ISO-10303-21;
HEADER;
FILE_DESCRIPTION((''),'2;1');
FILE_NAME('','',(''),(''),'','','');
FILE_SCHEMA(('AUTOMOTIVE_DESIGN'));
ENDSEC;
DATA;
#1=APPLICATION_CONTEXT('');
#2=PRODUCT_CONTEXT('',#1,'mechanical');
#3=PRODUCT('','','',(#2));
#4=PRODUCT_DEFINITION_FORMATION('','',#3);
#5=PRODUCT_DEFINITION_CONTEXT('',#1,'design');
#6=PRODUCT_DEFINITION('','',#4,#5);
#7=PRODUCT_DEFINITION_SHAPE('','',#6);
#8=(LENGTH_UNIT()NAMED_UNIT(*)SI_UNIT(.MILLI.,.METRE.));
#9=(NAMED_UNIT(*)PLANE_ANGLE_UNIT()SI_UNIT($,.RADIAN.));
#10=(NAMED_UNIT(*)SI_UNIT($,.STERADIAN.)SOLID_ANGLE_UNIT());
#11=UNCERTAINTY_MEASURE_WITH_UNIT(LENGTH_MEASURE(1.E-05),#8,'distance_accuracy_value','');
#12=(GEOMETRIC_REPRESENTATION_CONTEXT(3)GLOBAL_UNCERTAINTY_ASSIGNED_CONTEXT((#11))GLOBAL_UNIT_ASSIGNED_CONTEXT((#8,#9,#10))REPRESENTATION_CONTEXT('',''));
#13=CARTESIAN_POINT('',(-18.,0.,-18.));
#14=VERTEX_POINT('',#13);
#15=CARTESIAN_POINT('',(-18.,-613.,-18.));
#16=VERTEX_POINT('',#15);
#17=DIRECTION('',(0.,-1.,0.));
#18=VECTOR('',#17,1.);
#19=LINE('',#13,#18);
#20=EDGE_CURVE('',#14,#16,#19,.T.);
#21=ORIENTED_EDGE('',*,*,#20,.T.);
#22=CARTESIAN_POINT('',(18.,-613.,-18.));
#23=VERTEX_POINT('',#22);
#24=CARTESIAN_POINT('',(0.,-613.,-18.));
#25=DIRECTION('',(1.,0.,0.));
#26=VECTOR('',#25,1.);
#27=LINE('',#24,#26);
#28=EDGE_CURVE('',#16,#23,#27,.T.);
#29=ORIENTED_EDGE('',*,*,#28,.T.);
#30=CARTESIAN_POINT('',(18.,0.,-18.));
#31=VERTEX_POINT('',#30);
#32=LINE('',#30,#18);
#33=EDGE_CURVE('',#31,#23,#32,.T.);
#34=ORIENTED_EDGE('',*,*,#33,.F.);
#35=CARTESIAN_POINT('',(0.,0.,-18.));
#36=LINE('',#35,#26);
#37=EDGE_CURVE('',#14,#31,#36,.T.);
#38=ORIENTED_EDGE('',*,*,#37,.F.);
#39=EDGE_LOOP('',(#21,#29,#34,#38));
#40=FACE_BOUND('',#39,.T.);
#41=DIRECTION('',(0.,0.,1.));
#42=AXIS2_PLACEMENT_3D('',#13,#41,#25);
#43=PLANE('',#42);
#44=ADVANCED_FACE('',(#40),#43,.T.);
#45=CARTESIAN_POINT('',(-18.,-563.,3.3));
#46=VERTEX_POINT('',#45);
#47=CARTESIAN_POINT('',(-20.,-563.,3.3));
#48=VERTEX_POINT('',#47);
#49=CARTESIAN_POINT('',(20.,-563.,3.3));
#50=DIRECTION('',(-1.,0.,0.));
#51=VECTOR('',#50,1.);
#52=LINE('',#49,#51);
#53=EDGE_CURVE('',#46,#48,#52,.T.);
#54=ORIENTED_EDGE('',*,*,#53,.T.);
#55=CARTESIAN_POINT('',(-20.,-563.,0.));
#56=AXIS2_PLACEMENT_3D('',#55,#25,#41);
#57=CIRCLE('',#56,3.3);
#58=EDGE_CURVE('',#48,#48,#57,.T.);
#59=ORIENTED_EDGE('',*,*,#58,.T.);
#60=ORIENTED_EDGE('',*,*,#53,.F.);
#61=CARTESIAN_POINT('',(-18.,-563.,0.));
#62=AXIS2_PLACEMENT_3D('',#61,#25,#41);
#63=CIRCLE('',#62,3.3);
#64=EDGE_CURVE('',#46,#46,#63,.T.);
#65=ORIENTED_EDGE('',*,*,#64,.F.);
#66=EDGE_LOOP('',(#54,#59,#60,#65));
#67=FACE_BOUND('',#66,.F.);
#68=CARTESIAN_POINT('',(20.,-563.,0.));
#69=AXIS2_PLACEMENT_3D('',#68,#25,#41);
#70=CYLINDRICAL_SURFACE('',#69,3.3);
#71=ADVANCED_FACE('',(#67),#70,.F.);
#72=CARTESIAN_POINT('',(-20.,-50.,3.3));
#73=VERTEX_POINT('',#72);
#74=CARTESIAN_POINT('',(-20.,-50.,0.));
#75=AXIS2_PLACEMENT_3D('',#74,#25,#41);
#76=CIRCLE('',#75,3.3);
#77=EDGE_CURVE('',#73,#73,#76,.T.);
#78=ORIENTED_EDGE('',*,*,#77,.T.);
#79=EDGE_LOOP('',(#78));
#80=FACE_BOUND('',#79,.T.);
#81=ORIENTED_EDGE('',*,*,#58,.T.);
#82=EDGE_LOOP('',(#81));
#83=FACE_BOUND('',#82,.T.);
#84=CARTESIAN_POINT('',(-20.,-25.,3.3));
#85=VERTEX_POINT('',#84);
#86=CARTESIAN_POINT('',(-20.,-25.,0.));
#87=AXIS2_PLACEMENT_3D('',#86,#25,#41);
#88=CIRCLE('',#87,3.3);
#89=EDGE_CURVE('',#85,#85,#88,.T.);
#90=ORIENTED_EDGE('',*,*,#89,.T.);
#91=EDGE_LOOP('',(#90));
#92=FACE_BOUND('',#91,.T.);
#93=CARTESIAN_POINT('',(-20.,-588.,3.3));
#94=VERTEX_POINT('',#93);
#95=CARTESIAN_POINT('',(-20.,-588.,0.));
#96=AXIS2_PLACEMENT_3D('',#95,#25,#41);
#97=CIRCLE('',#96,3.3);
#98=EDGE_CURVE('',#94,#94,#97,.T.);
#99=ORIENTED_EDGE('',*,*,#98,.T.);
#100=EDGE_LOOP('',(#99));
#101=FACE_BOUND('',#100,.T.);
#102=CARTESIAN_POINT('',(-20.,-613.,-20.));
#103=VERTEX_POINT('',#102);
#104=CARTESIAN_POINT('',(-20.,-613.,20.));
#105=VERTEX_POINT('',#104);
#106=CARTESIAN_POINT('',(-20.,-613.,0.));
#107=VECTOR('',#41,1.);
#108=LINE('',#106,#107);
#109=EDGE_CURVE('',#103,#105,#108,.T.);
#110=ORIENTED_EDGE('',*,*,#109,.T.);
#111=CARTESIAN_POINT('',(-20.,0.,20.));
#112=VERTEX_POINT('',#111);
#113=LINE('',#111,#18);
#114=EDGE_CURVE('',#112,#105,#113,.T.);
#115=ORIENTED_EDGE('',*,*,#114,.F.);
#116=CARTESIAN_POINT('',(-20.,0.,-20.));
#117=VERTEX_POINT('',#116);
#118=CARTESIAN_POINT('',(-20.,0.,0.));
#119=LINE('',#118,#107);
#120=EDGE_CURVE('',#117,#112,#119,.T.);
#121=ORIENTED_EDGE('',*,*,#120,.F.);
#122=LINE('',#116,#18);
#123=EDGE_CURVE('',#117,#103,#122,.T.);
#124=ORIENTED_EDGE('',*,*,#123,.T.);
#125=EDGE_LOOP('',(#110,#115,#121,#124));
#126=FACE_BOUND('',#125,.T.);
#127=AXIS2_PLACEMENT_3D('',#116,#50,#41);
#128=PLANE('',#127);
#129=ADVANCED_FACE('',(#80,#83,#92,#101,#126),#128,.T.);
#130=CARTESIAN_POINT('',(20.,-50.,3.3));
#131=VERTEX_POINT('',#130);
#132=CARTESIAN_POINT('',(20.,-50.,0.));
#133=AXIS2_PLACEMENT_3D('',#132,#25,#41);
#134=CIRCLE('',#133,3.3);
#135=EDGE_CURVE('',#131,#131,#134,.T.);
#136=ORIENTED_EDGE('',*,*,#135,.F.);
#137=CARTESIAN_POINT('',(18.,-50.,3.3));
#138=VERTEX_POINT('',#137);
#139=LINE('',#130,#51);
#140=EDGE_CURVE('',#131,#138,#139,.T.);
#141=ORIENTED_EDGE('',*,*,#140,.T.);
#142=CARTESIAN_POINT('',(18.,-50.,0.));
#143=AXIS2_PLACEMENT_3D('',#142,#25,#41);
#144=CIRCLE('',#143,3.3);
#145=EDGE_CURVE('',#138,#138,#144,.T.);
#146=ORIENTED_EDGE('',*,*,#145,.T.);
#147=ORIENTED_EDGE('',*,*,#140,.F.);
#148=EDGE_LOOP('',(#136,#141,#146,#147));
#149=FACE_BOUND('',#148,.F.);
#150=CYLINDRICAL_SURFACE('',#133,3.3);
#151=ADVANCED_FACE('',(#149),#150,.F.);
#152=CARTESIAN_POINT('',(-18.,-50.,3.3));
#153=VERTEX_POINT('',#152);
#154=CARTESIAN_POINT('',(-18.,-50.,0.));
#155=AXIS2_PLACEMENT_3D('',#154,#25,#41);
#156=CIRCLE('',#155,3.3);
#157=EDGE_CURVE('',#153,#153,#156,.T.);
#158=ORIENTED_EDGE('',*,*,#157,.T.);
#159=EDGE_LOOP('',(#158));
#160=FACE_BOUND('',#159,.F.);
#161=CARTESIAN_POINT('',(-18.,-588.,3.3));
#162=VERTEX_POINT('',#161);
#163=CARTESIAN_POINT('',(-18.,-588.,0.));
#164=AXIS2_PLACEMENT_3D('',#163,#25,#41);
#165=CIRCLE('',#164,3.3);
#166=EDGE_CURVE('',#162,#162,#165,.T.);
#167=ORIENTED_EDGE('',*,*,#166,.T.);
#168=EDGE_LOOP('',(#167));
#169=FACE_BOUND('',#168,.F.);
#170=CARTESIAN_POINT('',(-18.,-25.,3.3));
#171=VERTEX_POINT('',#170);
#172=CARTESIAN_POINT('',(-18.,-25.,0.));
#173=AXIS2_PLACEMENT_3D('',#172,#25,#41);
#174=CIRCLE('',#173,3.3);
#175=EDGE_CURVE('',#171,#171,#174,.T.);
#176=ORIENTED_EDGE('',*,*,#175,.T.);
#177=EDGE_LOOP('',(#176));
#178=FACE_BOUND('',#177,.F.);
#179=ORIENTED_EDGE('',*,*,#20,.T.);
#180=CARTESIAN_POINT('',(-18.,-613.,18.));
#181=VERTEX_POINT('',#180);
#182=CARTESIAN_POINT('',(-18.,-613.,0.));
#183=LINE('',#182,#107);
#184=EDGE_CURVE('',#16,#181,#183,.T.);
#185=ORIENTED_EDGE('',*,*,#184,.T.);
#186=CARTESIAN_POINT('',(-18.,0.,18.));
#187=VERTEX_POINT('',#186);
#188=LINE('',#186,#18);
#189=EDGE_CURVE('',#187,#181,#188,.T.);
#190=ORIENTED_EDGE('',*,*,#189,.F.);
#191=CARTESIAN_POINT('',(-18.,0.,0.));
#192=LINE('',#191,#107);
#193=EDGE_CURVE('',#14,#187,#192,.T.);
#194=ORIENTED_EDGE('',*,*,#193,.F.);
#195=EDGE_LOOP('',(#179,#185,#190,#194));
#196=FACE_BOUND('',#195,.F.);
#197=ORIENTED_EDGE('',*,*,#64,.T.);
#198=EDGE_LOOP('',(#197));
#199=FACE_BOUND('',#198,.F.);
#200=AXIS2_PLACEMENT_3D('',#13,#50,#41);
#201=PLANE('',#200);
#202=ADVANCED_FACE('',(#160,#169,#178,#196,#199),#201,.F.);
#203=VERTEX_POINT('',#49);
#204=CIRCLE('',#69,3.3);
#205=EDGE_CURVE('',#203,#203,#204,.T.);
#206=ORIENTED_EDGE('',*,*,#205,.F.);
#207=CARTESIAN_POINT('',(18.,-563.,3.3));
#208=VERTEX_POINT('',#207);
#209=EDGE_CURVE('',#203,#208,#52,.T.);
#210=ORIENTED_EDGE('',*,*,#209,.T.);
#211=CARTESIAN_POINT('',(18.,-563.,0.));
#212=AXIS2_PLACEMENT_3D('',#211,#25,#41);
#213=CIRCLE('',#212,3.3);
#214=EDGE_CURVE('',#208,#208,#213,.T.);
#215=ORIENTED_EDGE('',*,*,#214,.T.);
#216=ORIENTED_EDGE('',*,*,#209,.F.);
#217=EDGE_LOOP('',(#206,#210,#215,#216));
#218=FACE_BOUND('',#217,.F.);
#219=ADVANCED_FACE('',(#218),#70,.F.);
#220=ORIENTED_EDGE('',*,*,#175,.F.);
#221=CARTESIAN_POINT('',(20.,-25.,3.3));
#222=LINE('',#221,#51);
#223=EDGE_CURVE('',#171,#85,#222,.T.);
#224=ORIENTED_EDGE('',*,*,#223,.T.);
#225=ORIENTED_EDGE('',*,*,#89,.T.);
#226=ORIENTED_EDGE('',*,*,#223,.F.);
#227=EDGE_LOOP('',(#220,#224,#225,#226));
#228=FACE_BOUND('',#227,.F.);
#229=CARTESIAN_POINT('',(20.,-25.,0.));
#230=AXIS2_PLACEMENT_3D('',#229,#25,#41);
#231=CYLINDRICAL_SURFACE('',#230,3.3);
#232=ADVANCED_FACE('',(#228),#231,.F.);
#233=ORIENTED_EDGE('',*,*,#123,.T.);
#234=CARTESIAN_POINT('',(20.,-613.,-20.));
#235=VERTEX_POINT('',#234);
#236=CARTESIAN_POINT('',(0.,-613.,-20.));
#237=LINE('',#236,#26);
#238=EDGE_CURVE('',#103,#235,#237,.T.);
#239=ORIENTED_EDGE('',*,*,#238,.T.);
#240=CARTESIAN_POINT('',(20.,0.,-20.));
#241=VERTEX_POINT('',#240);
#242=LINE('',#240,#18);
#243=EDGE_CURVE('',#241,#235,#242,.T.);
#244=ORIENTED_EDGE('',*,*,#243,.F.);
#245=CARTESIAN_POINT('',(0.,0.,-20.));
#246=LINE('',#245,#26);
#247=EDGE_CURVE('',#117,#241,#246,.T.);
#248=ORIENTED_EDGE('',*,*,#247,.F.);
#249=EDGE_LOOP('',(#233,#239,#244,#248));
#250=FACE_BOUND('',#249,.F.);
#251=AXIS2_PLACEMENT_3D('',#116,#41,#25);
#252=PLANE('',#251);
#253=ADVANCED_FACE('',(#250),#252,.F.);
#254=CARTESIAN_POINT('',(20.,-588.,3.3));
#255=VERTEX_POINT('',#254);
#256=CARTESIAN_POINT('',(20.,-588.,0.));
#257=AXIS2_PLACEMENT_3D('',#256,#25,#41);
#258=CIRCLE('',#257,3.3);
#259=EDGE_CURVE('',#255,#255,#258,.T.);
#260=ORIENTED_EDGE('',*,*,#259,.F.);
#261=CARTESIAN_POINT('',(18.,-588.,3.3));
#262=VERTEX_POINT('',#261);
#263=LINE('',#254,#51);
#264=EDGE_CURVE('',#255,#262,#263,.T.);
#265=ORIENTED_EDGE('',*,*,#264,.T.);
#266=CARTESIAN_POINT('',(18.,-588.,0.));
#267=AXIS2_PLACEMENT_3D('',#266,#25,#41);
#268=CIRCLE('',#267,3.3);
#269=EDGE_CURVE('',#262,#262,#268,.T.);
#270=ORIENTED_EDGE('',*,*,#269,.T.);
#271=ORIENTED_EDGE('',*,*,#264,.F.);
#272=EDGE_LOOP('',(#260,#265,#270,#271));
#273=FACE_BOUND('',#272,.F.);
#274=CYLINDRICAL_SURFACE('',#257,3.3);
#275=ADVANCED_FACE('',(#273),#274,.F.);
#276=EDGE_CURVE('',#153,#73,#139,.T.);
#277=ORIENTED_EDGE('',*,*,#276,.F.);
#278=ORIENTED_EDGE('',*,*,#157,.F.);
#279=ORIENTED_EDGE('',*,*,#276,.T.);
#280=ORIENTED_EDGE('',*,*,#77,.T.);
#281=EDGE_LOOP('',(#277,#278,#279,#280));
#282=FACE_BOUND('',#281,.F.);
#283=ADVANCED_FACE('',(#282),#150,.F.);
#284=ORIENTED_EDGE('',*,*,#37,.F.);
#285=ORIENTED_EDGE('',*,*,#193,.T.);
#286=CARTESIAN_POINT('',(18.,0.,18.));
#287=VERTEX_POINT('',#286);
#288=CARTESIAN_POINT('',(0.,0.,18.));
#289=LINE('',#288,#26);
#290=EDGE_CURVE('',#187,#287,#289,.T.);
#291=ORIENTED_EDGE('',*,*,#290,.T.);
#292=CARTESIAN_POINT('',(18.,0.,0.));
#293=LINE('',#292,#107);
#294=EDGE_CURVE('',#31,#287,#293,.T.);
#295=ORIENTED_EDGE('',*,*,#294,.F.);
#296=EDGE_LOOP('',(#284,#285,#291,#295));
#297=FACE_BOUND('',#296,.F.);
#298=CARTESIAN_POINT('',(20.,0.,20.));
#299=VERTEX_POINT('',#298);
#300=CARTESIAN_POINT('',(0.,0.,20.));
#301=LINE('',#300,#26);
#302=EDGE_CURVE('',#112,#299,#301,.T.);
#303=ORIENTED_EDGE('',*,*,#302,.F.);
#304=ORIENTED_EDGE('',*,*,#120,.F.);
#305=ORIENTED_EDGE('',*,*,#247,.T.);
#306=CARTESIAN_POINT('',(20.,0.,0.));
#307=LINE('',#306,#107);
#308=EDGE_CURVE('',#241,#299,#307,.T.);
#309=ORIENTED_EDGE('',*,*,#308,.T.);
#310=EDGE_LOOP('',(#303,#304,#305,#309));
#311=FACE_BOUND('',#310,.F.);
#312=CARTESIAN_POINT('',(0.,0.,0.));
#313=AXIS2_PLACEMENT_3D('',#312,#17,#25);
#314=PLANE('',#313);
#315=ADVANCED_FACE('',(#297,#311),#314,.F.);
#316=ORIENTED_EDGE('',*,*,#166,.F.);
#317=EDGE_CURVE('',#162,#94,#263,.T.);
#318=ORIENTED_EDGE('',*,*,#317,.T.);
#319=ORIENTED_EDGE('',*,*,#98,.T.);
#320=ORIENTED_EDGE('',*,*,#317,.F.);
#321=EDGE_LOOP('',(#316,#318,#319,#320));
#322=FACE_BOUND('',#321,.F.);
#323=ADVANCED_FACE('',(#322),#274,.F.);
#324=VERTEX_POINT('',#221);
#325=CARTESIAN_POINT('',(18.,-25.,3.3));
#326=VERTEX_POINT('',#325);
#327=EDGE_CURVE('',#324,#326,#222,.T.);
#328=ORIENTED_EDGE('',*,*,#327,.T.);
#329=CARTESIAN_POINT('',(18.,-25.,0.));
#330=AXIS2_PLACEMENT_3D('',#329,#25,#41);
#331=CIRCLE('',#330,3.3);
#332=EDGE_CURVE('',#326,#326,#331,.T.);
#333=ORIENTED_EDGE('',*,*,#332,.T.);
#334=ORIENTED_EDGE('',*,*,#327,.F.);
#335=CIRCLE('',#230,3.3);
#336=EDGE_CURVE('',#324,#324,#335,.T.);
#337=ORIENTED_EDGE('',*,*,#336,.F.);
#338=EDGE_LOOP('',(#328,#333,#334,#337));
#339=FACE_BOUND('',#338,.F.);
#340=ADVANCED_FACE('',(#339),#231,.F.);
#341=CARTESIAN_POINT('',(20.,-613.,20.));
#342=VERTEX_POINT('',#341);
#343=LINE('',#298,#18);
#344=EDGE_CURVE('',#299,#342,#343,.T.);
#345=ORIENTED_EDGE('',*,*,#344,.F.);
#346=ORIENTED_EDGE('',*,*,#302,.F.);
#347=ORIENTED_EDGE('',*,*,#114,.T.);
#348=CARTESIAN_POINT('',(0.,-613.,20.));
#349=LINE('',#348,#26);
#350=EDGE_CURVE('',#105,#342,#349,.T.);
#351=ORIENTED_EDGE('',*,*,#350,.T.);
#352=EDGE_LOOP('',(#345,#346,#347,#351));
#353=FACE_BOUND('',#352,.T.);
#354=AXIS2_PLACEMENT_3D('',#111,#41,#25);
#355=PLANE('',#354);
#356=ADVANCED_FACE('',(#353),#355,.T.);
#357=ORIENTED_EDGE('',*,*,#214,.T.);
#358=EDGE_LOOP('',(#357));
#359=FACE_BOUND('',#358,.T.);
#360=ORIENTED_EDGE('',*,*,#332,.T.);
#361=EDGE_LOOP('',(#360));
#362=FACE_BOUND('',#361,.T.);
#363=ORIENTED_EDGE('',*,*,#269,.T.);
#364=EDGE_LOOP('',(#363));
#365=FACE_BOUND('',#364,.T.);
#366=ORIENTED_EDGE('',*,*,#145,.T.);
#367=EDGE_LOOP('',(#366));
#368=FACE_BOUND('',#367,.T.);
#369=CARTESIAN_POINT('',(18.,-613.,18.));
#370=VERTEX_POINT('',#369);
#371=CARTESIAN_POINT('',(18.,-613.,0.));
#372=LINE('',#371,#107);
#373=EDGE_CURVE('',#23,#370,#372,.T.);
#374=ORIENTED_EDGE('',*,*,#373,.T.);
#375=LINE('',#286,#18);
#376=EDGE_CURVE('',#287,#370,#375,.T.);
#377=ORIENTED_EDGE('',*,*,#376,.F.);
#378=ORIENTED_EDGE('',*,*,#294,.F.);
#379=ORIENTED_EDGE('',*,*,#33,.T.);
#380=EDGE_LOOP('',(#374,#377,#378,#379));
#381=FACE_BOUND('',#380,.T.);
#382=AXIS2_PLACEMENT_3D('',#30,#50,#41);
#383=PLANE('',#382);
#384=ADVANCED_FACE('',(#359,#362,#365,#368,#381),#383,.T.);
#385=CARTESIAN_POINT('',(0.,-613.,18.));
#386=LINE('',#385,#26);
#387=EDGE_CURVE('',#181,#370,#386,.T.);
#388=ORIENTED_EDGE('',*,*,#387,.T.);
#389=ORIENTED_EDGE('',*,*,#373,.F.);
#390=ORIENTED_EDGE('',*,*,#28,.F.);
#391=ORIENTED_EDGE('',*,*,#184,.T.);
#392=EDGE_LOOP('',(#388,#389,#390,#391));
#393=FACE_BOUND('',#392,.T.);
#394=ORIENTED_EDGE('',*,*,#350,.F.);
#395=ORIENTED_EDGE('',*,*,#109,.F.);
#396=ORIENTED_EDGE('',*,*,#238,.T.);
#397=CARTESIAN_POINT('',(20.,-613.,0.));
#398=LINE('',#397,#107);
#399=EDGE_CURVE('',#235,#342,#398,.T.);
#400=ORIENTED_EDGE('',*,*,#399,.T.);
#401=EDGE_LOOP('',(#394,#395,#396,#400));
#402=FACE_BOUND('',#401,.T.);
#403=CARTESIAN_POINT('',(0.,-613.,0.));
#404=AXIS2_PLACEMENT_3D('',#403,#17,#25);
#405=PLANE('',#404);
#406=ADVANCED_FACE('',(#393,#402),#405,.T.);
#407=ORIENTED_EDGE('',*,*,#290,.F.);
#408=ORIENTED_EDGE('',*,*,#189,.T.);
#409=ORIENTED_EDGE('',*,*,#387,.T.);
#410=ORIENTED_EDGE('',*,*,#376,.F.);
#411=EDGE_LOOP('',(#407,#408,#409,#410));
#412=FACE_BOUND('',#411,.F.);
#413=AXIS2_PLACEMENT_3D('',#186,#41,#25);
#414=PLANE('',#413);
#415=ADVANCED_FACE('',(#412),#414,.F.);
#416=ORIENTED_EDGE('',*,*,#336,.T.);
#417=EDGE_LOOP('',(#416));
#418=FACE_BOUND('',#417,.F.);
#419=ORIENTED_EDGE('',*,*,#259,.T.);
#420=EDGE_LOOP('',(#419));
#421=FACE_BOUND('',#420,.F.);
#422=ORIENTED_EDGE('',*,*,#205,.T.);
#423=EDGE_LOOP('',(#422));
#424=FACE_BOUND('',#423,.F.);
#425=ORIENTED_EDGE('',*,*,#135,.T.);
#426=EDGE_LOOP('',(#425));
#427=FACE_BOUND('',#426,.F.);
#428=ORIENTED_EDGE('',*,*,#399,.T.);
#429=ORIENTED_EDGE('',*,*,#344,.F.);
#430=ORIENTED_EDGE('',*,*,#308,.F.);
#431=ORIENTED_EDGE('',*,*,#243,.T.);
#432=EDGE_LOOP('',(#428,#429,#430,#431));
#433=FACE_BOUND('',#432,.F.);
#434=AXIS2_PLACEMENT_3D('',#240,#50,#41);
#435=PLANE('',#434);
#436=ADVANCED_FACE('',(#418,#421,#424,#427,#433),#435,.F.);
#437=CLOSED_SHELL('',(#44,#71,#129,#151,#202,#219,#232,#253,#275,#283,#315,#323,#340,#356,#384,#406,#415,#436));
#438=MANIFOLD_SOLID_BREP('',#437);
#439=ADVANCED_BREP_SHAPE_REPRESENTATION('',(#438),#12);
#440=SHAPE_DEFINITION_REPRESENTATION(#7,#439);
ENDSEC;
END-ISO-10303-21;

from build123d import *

# Parameters (mm, degrees)
SKETCH_W    = 40
SKETCH_H    = 40
SKETCH_W_2  = 36
SKETCH_H_2  = 36
PAD_DEPTH   = 613
SKETCH001_R = 3.3
HOLE_DEPTH  = 40.001


with BuildPart() as part:
    # Sketch → Pad (new body)
    with BuildSketch(Plane.XZ):
        Rectangle(SKETCH_W, SKETCH_H)
        Rectangle(SKETCH_W_2, SKETCH_H_2, mode=Mode.SUBTRACT)
    extrude(amount=PAD_DEPTH)

    # Sketch001 → Hole (cut, through all)
    with BuildSketch(Plane(origin=(20, 0, 0), x_dir=(0, 0, 1), z_dir=(1, 0, 0))):
        with Locations((0, 25)):
            Circle(SKETCH001_R)
        with Locations((0, 50)):
            Circle(SKETCH001_R)
        with Locations((0, 588)):
            Circle(SKETCH001_R)
        with Locations((0, 563)):
            Circle(SKETCH001_R)
    extrude(amount=-HOLE_DEPTH, mode=Mode.SUBTRACT)


solid = part.part
